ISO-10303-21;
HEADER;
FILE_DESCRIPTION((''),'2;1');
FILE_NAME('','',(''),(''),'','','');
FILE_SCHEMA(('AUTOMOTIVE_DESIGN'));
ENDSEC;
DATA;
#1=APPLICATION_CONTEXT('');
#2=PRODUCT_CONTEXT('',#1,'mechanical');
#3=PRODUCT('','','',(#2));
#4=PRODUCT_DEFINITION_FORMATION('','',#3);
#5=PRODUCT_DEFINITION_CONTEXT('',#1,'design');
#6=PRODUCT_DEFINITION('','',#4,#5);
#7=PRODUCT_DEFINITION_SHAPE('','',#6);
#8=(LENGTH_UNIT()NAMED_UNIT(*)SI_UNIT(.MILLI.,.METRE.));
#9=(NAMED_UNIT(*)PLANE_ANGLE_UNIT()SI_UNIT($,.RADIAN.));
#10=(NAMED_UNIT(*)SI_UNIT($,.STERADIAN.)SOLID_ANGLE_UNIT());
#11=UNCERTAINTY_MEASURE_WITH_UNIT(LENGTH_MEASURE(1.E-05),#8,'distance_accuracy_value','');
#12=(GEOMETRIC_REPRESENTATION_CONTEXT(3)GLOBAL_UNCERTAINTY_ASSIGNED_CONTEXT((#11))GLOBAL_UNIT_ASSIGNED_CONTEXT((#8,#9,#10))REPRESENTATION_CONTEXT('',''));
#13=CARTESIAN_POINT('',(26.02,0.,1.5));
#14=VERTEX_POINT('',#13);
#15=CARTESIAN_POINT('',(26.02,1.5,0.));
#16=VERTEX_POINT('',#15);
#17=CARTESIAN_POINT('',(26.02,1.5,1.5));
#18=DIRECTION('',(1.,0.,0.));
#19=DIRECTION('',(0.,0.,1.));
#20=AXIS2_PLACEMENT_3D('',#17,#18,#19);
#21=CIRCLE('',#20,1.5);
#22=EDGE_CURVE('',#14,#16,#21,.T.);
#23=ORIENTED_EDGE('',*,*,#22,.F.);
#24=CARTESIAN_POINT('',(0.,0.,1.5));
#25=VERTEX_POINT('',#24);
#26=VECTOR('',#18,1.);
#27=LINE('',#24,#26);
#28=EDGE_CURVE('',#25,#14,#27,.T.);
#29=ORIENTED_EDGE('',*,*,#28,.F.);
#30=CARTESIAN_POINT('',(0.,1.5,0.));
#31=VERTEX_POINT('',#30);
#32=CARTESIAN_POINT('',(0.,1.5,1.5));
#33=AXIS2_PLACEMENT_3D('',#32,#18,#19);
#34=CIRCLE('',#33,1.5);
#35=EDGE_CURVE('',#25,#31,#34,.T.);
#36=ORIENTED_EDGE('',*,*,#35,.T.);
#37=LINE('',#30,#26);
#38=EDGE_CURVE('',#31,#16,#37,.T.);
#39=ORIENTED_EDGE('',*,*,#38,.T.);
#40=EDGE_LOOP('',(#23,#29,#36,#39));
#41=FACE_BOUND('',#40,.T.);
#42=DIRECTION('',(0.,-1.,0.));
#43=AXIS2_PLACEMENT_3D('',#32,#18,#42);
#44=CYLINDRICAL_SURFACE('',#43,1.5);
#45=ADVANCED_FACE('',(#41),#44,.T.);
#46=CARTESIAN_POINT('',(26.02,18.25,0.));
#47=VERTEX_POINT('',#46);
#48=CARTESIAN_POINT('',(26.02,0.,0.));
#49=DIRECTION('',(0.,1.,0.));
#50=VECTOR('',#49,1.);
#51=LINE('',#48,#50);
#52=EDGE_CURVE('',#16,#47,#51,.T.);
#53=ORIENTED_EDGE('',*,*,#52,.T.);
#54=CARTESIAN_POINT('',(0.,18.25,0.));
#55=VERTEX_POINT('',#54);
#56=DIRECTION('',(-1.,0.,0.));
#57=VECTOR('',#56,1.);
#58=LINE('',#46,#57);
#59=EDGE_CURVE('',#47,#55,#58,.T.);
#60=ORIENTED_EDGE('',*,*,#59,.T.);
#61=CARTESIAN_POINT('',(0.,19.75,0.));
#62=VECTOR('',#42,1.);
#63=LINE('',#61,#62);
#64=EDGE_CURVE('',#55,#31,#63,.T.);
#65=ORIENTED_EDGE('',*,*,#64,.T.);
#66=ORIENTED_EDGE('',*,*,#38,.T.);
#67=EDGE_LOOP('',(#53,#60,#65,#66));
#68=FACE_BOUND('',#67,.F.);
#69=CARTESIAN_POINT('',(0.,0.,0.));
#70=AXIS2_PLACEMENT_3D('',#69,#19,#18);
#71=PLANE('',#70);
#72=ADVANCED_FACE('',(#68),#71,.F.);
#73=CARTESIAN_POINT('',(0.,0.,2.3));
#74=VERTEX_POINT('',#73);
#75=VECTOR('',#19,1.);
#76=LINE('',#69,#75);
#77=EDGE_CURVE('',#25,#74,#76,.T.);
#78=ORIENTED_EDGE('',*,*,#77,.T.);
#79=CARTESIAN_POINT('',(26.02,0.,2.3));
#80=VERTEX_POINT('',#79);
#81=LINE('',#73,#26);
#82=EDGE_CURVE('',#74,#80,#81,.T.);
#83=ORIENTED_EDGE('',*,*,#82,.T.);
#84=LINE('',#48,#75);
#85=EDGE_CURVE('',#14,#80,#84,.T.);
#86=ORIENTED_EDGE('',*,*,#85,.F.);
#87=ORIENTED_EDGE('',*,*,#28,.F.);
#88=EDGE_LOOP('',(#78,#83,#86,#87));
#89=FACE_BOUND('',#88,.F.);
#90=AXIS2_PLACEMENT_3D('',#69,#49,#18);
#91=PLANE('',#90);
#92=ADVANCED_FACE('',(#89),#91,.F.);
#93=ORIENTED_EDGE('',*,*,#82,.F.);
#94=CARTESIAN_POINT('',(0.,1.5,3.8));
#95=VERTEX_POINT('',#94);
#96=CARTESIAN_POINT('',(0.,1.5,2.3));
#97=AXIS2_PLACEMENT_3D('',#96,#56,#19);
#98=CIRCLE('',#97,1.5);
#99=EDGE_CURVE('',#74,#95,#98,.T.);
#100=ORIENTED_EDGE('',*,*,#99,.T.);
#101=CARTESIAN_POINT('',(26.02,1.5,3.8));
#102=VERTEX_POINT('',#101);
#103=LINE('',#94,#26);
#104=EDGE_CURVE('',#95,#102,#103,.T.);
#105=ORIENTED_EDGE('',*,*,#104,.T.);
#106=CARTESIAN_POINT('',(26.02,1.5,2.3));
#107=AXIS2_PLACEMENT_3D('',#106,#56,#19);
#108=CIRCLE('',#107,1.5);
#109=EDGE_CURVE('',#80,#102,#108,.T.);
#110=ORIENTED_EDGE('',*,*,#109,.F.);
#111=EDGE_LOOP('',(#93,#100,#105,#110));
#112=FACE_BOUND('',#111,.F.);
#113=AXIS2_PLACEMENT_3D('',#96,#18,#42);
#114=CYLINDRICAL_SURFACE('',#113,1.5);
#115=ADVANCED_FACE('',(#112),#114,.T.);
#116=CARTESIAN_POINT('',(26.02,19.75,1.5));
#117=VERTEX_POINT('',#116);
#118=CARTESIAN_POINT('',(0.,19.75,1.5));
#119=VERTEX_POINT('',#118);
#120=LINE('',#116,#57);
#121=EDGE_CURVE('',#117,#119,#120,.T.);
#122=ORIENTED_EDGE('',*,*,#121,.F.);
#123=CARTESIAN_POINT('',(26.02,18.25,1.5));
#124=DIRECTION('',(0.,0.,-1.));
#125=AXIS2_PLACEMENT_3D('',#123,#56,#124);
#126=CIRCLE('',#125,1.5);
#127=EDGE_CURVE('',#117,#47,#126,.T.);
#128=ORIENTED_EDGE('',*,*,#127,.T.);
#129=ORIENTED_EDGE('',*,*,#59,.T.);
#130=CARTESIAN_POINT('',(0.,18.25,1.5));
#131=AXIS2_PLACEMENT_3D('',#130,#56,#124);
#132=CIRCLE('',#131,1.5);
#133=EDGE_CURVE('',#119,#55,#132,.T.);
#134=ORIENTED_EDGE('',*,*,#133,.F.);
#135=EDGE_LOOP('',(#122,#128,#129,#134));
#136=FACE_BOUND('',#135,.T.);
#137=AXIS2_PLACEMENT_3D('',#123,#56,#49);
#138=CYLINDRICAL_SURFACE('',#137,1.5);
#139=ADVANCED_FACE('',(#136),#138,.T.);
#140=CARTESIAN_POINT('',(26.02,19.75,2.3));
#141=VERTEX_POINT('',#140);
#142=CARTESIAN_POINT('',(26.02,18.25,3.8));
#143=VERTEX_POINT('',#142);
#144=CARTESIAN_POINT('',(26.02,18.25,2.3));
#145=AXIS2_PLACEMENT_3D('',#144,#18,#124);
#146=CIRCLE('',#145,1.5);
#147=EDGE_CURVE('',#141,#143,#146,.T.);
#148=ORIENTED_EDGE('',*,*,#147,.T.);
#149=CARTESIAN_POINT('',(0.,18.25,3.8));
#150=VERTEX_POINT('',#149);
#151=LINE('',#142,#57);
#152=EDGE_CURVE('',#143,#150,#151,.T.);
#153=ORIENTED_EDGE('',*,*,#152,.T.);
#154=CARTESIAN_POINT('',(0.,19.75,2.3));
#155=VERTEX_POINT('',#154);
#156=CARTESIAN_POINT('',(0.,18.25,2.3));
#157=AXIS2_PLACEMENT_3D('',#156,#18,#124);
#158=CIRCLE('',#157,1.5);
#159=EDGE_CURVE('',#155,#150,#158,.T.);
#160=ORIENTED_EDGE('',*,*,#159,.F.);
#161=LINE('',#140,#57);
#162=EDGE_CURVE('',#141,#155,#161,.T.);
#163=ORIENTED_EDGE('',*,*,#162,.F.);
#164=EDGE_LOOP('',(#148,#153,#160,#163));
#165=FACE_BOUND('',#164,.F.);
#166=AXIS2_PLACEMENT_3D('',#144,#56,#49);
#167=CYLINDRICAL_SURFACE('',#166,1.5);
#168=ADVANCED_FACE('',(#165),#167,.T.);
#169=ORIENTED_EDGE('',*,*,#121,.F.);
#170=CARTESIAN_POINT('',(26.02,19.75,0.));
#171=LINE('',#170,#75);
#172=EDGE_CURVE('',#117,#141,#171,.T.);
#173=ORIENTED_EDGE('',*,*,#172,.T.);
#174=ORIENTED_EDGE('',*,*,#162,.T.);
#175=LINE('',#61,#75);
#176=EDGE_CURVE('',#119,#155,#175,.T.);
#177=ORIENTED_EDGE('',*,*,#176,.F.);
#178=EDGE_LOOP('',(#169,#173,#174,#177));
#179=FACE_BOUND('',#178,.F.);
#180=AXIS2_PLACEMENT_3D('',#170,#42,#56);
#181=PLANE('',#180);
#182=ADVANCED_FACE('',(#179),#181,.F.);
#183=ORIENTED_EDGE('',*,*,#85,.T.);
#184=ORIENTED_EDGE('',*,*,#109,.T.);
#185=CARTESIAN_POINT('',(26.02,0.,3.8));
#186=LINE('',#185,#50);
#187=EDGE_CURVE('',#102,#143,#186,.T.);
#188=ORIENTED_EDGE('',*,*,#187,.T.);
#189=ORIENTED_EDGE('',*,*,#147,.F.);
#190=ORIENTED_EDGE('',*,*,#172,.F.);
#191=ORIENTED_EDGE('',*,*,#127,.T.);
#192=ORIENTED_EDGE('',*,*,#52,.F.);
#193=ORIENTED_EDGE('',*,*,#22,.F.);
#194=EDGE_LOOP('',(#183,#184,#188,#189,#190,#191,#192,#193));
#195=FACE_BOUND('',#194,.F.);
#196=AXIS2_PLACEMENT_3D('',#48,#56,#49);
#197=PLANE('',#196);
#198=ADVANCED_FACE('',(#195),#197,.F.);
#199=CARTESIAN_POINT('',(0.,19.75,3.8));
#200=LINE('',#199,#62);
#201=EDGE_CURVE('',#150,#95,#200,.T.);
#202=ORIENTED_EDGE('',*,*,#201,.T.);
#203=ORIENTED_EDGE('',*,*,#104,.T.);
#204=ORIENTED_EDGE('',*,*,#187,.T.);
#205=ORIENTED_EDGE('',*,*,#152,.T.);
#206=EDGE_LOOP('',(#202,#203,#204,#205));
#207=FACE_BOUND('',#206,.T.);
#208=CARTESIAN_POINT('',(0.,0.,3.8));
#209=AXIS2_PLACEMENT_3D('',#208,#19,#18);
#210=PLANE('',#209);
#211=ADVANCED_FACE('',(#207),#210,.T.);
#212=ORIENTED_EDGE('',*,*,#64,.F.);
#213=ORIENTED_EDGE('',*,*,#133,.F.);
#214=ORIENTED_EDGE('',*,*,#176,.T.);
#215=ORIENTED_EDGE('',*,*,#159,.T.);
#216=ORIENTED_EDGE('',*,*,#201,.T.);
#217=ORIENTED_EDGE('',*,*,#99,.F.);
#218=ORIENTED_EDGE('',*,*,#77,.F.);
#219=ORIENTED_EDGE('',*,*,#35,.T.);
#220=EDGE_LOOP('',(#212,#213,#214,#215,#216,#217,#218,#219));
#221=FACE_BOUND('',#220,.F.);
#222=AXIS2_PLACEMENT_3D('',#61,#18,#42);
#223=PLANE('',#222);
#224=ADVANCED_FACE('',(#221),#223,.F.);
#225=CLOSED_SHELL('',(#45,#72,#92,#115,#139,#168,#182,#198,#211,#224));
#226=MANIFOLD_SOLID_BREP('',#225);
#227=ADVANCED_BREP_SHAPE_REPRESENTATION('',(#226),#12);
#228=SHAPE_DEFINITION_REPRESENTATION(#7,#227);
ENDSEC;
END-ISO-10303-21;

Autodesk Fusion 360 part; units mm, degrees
sketch "Sketch1" plane through (0, 0, 0) normal (0, 0, 1) x (1, 0, 0)
  line L0 (0, 0) -> (26.02, 0)
  line L1 (26.02, 0) -> (26.02, 19.75)
  line L2 (26.02, 19.75) -> (0, 19.75)
  line L3 (0, 19.75) -> (0, 0)
  dimension "d1" = 26.02
  dimension "d2" = 19.75
extrude "Extrude1" add sketch "Sketch1" along normal blind 3.8
fillet "Fillet1" radius 1.5 4 edges at (13.01, 0, 3.8) (13.01, 0, 0) (13.01, 19.75, 3.8) (13.01, 19.75, 0)
